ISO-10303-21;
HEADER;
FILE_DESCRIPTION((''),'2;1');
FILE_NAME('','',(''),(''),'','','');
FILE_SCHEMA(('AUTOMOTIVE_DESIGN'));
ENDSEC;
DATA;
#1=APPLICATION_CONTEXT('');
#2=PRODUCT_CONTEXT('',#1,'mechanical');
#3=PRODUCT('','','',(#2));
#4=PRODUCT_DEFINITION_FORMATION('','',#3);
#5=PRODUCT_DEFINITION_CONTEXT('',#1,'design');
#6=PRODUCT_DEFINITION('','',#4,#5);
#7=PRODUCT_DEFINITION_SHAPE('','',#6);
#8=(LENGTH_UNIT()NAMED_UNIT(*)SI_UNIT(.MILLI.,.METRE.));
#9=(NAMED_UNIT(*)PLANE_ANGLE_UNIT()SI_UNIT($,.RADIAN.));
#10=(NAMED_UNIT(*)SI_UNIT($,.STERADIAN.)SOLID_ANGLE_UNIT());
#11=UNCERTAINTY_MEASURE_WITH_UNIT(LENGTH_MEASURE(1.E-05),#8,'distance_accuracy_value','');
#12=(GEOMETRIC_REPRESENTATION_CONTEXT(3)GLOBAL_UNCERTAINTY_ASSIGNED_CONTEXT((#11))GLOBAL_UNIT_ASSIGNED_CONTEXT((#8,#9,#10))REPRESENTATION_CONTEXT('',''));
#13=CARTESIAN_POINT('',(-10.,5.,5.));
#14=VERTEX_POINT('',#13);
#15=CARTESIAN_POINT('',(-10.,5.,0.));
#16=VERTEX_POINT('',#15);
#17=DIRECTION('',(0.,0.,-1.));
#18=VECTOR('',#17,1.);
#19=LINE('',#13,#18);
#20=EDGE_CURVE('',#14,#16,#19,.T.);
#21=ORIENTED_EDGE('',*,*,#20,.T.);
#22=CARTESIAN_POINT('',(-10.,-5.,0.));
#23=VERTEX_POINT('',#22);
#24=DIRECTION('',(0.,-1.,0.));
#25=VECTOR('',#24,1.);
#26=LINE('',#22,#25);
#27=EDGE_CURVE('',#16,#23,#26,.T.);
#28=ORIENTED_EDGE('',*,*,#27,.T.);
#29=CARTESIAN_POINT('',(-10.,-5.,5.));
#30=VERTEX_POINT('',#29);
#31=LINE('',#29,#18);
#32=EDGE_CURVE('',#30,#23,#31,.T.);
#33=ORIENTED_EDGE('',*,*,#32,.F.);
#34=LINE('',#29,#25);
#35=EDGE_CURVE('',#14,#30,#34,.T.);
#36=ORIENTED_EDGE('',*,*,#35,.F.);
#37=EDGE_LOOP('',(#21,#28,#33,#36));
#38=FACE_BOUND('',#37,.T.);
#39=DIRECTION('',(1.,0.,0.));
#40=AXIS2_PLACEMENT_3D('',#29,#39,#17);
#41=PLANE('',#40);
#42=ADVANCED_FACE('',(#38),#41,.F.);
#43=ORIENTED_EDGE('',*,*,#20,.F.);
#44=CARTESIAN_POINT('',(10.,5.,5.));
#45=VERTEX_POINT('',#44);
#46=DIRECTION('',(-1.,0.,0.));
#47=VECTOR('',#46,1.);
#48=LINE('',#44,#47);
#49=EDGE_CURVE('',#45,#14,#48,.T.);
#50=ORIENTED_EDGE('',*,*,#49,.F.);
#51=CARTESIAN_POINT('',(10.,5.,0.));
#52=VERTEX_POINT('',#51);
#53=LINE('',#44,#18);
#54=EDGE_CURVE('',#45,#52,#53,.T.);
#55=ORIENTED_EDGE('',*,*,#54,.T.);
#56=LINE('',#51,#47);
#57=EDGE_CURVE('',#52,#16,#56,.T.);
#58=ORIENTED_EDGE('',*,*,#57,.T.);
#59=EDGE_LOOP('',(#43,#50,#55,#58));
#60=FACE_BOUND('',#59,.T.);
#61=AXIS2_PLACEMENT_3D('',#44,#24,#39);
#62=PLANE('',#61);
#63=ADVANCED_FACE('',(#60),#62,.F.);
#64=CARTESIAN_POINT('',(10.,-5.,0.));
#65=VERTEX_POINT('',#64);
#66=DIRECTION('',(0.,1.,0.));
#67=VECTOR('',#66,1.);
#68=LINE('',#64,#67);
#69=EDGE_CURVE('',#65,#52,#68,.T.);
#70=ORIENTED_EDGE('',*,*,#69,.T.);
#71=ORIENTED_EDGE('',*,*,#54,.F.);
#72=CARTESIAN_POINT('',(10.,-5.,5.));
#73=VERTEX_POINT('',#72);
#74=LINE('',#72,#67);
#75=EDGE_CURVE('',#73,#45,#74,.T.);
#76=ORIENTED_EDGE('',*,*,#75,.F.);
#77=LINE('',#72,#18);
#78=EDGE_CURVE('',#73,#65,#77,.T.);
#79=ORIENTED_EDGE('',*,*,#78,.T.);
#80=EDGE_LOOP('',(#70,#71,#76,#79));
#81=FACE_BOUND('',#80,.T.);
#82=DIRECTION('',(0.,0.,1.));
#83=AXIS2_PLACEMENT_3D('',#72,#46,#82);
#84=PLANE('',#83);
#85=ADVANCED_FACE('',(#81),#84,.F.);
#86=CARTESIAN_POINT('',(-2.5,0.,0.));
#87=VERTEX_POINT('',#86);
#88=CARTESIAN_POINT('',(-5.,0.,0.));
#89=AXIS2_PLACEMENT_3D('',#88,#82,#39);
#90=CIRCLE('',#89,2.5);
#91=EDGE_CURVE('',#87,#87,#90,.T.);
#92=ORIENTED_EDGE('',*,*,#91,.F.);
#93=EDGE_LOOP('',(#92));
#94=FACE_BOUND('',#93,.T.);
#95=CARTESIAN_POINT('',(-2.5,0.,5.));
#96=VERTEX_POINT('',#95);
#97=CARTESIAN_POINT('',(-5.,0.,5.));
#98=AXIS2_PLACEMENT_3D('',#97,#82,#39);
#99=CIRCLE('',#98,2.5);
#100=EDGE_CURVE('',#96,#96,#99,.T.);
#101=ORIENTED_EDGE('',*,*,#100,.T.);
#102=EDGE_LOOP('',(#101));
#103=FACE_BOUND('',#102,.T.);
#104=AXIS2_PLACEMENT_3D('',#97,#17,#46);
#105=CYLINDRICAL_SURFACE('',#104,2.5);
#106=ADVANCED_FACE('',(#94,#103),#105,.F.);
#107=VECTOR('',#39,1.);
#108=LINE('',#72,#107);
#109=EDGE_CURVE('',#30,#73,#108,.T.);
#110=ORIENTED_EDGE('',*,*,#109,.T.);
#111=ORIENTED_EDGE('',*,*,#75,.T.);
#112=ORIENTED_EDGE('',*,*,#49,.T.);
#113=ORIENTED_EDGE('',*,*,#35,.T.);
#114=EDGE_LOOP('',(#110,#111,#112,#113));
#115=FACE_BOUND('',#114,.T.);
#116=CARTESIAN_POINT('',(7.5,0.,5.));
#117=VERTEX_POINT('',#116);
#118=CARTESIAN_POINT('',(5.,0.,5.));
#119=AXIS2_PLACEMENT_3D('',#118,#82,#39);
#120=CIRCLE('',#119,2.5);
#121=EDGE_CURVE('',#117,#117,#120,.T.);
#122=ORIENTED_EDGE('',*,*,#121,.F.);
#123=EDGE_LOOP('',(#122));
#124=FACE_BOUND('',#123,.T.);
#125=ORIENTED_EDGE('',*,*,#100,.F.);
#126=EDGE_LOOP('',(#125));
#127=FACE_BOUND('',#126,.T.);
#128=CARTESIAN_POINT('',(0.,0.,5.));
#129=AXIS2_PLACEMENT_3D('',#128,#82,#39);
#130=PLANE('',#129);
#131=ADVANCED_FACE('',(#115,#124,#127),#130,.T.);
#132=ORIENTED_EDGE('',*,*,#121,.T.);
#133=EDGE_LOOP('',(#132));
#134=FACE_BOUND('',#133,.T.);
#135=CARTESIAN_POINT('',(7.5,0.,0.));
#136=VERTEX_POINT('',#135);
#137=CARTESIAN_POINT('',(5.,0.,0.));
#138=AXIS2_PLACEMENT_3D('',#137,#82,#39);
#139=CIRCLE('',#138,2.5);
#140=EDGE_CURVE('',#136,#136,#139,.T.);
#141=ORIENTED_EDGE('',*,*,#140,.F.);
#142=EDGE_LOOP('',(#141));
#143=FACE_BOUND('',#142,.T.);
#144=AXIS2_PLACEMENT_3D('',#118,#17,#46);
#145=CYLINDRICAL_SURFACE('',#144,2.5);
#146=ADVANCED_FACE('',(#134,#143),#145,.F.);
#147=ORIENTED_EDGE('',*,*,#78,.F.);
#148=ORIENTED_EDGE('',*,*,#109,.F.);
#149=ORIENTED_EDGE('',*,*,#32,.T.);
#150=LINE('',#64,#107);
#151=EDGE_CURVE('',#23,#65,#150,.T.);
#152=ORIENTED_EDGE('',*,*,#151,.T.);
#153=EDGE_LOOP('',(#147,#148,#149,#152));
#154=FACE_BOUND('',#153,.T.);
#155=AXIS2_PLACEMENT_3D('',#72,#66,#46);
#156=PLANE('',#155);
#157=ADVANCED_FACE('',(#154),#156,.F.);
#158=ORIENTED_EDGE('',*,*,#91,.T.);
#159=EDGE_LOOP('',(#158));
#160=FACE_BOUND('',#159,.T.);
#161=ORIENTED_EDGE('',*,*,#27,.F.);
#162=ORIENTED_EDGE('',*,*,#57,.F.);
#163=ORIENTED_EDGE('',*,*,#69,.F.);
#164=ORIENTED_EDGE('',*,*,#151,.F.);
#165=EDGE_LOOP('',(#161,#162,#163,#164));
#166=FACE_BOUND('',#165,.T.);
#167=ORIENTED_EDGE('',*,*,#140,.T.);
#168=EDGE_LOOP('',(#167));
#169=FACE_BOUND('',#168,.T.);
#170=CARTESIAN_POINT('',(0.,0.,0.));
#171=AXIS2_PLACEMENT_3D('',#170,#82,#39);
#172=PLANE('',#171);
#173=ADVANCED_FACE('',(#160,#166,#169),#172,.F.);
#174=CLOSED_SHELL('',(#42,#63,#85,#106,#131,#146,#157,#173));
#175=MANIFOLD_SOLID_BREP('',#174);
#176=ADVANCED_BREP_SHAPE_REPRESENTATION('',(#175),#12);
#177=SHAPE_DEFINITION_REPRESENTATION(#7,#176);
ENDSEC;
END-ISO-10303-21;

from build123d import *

# Parameters (mm, degrees)
SKETCH_1_W      = 20
SKETCH_1_H      = 10
SKETCH_1_R      = 2.5
EXTRUDE_1_DEPTH = 5


with BuildPart() as part:
    # 草图1 → 凸台-拉伸1 (new body)
    with BuildSketch(Plane.XY):
        Rectangle(SKETCH_1_W, SKETCH_1_H)
        with Locations((-5, 0)):
            Circle(SKETCH_1_R, mode=Mode.SUBTRACT)
        with Locations((5, 0)):
            Circle(SKETCH_1_R, mode=Mode.SUBTRACT)
    extrude(amount=EXTRUDE_1_DEPTH)


solid = part.part
